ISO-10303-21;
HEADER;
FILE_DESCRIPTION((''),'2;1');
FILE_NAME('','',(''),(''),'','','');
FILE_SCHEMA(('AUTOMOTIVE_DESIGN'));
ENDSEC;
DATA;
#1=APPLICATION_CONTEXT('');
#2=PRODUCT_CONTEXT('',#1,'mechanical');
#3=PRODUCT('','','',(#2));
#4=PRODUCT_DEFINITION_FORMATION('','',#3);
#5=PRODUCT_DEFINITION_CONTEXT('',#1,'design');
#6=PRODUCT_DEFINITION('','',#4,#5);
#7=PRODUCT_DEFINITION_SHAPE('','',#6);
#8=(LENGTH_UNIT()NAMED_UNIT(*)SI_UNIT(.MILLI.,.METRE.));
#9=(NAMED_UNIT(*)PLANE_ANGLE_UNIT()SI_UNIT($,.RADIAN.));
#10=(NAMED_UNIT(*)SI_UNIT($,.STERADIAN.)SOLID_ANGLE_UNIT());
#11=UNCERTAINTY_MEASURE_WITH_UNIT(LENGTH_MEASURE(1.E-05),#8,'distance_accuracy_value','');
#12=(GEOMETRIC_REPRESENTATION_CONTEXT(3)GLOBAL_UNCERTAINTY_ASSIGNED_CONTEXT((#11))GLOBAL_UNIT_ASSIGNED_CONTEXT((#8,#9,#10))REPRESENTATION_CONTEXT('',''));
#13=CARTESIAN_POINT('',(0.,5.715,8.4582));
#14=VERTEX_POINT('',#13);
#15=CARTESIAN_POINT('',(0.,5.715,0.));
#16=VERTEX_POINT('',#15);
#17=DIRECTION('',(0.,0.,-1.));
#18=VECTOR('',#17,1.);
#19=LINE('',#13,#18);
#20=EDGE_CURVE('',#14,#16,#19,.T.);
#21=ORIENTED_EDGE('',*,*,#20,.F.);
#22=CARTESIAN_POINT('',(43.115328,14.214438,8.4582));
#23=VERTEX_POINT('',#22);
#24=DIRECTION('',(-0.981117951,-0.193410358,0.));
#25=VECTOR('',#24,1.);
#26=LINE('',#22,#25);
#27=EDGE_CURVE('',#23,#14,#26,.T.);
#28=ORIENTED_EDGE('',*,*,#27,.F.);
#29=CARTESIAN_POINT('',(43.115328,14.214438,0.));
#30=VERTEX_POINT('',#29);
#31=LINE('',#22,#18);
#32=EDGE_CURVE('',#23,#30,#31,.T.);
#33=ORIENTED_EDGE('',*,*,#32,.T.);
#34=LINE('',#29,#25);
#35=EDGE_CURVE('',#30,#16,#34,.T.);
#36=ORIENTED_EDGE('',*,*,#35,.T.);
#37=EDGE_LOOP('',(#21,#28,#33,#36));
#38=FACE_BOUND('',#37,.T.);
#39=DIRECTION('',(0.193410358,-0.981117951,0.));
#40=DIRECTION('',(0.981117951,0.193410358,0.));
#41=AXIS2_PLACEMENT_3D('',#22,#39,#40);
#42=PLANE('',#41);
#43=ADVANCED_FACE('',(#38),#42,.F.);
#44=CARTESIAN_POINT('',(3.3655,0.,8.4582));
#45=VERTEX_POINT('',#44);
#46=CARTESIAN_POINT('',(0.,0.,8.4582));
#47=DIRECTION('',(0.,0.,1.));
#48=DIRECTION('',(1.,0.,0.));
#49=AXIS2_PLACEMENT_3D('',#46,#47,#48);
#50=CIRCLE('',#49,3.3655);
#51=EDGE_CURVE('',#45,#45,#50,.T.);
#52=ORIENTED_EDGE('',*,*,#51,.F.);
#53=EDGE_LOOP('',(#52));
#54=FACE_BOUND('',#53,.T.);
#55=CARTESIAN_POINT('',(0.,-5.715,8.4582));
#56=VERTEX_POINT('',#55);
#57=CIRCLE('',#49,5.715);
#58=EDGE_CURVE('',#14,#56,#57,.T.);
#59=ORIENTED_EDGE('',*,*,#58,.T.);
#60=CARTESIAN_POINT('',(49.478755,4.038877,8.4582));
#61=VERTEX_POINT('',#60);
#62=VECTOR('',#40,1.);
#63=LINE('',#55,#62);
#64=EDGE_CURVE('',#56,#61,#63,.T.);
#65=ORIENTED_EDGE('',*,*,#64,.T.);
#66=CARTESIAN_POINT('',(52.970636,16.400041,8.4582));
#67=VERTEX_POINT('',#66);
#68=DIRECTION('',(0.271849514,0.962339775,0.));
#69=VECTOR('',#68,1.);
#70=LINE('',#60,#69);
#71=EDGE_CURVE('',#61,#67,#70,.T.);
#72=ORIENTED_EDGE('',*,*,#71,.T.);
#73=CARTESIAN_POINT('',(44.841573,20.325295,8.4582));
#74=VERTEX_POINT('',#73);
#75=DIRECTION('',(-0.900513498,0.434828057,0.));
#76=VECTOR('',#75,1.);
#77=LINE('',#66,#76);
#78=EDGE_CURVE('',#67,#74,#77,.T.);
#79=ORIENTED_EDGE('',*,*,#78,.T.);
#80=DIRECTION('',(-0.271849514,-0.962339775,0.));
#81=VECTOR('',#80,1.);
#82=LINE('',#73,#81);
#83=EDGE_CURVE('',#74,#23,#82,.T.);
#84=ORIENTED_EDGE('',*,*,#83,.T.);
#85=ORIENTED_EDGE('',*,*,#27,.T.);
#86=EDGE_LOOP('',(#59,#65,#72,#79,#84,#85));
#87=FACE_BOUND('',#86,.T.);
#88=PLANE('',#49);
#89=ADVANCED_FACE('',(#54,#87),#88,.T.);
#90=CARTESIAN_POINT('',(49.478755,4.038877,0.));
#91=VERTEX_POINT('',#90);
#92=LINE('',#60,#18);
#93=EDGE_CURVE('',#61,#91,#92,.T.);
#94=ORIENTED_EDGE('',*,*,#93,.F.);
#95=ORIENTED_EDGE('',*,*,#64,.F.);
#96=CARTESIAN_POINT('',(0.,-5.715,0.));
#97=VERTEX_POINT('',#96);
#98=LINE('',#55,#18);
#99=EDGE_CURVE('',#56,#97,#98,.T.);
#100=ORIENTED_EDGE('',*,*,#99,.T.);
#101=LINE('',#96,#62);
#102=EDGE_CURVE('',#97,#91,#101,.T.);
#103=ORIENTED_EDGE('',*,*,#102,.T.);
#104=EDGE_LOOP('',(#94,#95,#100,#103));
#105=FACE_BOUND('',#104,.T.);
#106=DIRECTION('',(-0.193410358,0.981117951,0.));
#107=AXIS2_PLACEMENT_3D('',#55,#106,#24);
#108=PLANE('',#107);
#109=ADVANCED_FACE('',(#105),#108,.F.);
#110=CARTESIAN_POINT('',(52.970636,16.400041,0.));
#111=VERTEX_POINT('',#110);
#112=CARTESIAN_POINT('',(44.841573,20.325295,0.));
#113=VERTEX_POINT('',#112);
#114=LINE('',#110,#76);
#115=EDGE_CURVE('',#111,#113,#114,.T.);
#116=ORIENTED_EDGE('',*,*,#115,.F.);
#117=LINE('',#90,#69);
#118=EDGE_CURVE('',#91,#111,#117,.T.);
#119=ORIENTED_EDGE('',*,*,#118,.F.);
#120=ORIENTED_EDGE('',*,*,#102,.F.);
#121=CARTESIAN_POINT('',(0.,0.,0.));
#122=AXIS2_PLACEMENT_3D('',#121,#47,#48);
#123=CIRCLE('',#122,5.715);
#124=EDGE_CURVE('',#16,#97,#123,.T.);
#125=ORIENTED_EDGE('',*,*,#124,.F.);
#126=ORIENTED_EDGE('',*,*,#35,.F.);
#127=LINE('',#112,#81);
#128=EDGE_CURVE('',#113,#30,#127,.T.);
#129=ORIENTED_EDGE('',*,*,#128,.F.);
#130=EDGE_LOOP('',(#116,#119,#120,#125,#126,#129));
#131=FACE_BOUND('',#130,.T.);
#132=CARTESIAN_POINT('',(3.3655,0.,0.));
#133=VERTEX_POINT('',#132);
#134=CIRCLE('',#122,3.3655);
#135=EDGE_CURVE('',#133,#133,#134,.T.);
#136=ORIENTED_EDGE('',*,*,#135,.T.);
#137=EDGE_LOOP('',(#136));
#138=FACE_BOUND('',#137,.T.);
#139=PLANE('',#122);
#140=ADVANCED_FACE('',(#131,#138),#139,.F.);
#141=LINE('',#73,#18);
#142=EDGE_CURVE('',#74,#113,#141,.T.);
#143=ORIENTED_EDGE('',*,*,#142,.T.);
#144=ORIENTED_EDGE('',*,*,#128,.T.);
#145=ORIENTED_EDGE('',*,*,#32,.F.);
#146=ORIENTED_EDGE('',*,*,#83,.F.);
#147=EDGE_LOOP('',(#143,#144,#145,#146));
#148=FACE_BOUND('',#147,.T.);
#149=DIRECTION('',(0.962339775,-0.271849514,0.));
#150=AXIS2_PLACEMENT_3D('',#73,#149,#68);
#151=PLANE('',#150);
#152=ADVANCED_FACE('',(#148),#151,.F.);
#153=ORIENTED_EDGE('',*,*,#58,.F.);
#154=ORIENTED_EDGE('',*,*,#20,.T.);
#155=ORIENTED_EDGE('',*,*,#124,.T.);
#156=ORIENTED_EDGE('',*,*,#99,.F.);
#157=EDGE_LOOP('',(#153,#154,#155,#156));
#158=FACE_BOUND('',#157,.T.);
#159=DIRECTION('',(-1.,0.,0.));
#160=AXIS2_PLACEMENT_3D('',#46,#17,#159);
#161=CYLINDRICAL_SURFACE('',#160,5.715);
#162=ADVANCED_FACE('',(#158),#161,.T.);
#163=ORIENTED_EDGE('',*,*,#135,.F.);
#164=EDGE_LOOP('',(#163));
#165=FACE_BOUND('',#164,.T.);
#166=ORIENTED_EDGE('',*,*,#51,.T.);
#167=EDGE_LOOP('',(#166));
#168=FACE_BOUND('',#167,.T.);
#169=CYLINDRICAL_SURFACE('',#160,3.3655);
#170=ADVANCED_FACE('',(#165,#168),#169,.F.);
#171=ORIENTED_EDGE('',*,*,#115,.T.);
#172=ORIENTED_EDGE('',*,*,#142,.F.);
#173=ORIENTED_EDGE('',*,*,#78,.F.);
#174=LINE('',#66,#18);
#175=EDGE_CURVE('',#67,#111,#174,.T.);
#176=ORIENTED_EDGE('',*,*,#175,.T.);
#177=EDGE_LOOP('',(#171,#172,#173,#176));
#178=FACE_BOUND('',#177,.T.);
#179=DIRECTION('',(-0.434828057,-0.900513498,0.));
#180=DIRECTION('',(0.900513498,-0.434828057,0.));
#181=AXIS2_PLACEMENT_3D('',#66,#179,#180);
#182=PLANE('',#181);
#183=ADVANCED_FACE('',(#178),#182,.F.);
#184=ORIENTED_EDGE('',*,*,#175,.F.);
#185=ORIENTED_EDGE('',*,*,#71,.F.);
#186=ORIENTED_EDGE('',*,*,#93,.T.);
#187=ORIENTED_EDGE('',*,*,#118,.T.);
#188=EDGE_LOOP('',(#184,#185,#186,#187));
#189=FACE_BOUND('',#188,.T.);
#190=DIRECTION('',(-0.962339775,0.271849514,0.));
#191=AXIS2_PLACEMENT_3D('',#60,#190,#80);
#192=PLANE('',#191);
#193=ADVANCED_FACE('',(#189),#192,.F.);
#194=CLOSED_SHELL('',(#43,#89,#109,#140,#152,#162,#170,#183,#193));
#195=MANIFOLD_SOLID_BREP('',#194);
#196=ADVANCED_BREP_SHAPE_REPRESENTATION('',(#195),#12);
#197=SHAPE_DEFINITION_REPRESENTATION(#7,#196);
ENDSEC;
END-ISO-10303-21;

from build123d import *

# Parameters (mm, degrees)
SKETCH1_R           = 3.3655
BOSS_EXTRUDE1_DEPTH = 8.4582


with BuildPart() as part:
    # Sketch1 → Boss-Extrude1 (new body)
    with BuildSketch(Plane.XY):
        with BuildLine():
            Line((0, -5.715), (49.478755061, 4.038876919))
            Line((49.478755061, 4.038876919), (52.970636438, 16.400040583))
            Line((52.970636438, 16.400040583), (44.841572695, 20.325295455))
            Line((44.841572695, 20.325295455), (43.115328279, 14.214437887))
            Line((43.115328279, 14.214437887), (0, 5.715))
            ThreePointArc((0, 5.715), (-5.715, 0), (0, -5.715))
        make_face()
        Circle(SKETCH1_R, mode=Mode.SUBTRACT)
    extrude(amount=BOSS_EXTRUDE1_DEPTH)


solid = part.part
